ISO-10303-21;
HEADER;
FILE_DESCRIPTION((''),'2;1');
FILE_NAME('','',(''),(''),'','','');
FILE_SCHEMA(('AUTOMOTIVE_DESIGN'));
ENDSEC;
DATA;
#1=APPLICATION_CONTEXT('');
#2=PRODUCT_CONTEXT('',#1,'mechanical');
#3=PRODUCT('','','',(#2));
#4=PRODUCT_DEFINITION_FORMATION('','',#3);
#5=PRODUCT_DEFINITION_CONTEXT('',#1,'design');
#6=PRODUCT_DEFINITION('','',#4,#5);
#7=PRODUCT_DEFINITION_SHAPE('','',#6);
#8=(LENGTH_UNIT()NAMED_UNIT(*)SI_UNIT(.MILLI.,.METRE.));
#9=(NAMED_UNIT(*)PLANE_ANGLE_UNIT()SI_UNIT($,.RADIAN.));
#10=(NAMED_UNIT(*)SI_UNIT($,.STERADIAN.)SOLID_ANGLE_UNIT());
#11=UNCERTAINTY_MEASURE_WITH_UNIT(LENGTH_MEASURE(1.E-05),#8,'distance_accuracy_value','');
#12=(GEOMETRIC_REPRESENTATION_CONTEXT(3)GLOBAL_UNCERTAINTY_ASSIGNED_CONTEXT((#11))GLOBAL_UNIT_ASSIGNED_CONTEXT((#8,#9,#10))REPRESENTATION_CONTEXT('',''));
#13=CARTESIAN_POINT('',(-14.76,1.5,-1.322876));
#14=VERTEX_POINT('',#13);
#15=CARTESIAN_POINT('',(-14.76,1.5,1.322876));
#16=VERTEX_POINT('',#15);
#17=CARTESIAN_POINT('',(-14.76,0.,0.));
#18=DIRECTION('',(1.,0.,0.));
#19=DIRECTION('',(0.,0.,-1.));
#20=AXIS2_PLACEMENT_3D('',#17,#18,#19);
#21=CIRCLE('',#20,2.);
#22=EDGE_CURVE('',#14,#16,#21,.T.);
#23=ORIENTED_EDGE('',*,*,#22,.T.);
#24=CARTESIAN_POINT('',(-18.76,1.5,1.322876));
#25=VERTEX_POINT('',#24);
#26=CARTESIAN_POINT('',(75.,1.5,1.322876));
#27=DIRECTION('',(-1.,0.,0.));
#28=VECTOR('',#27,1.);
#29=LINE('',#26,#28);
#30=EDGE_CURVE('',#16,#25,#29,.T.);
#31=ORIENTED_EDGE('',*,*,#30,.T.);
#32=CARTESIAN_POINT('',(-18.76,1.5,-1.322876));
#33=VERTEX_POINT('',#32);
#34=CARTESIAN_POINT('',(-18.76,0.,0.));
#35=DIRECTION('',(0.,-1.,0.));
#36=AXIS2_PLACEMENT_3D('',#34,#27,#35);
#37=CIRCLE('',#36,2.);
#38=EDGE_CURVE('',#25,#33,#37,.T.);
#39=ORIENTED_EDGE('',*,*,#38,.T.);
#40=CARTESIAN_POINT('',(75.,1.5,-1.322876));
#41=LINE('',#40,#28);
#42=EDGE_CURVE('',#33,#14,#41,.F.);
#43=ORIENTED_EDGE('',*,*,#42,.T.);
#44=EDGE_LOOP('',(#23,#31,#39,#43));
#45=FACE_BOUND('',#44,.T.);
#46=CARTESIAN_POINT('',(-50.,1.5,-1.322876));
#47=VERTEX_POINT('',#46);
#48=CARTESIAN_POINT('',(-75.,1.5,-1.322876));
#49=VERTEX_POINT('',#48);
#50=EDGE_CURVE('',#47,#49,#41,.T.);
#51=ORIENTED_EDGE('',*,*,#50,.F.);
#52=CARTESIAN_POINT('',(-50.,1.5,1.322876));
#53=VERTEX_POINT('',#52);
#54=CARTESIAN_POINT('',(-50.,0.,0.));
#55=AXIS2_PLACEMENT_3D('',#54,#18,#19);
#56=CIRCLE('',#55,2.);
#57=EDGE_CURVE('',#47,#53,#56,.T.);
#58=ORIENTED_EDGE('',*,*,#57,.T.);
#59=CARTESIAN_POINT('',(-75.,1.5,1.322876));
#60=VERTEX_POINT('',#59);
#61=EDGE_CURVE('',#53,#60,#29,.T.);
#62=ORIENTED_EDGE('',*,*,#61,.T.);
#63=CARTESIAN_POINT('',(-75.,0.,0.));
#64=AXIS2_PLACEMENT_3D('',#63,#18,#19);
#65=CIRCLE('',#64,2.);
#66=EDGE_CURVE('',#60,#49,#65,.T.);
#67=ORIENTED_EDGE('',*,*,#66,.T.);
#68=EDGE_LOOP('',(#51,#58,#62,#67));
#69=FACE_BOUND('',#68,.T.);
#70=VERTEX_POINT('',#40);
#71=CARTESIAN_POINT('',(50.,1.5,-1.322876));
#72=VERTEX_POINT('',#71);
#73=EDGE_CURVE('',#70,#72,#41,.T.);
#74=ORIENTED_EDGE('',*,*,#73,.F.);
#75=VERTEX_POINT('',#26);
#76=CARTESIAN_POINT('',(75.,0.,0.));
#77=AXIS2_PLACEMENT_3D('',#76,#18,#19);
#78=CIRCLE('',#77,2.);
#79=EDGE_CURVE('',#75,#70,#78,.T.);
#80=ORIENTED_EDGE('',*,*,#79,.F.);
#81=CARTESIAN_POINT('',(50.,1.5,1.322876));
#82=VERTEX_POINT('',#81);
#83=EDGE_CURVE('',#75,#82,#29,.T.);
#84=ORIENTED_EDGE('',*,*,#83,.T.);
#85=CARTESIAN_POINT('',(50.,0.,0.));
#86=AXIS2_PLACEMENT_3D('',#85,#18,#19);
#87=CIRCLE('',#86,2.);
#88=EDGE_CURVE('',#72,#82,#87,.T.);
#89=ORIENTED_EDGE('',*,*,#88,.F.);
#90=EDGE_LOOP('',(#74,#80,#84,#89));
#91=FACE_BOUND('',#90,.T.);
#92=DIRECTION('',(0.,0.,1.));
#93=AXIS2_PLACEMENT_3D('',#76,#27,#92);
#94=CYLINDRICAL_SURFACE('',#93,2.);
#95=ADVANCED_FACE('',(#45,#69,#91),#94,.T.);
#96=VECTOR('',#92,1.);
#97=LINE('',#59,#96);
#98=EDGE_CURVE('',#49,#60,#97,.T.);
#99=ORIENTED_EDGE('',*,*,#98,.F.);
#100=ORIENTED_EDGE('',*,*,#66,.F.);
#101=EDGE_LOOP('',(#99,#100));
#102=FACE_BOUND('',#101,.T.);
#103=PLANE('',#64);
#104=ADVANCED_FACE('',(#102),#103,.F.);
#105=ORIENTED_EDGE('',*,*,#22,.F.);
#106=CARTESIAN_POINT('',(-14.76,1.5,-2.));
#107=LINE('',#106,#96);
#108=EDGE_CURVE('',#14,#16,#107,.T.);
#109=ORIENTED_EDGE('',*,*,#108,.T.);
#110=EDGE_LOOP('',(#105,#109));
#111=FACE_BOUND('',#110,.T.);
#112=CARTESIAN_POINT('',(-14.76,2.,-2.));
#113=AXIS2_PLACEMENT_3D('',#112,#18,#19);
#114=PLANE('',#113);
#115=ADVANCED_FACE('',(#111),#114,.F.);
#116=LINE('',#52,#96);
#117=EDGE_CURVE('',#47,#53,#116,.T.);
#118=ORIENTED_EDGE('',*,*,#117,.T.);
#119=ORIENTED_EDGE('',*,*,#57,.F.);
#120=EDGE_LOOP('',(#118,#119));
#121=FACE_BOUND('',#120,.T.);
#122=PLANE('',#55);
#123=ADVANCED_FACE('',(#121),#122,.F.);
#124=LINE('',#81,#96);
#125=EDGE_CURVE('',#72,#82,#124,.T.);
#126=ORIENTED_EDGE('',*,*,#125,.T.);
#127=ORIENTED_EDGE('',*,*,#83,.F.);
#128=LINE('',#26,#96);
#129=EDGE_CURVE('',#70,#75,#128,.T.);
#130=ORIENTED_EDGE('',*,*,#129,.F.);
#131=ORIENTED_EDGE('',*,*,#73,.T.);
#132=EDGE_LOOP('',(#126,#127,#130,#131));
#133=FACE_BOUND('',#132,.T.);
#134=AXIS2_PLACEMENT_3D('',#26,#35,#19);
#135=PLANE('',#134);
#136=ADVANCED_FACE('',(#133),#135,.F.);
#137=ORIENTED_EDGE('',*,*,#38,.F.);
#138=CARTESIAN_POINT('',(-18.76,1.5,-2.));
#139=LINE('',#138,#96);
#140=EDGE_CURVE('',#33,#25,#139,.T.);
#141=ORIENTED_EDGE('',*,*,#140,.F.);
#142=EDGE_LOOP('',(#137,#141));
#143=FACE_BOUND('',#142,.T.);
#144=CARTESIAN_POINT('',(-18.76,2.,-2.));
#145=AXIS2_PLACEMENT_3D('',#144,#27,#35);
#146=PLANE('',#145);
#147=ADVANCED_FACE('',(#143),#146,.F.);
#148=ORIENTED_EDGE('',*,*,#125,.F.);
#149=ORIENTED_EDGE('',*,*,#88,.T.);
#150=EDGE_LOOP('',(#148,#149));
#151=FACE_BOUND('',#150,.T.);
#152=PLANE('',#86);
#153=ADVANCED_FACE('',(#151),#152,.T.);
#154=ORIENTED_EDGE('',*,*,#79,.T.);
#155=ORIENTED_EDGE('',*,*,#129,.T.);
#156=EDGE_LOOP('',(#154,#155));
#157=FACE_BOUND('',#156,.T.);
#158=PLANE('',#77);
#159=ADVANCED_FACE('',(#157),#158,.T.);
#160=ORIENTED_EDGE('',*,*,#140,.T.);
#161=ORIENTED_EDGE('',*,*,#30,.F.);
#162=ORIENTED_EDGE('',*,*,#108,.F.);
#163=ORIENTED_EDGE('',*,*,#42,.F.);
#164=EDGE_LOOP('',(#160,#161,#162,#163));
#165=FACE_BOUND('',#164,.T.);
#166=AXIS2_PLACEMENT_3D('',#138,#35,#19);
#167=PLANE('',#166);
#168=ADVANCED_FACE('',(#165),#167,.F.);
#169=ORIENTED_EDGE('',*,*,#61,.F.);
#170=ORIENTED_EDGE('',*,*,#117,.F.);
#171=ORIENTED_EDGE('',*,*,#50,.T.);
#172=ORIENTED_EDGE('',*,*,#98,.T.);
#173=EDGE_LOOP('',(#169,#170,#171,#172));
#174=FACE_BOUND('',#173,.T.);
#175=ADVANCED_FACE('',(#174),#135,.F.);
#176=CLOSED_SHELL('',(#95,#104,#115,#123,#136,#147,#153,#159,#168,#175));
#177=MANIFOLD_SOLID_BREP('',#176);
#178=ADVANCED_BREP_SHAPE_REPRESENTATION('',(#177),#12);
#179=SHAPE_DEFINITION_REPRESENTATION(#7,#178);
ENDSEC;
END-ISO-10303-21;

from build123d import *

# Parameters (mm, degrees)
BOSS_EXTRUDE1_DEPTH     = 75
SKETCH2_R               = 2
BOSS_EXTRUDE2_DEPTH     = 50
SKETCH3_W               = 4
SKETCH3_H               = 0.5
CUT_EXTRUDE1_DEPTH      = 3
CUT_EXTRUDE1_DEPTH_BACK = 3


with BuildPart() as part:
    # Sketch1 → Boss-Extrude1 (new body, symmetric)
    with BuildSketch(Plane(origin=(0, 0, 0), x_dir=(0, 0, -1), z_dir=(1, 0, 0))):
        with BuildLine():
            Line((-1.322875656, 1.5), (1.322875656, 1.5))
            ThreePointArc((1.322875656, 1.5), (0, -2), (-1.322875656, 1.5))
        make_face()
    extrude(amount=BOSS_EXTRUDE1_DEPTH, both=True)

    # Sketch2 → Boss-Extrude2 (add, symmetric)
    with BuildSketch(Plane(origin=(0, 0, 0), x_dir=(0, 0, -1), z_dir=(1, 0, 0))):
        Circle(SKETCH2_R)
    extrude(amount=BOSS_EXTRUDE2_DEPTH, both=True)

    # Sketch3 → Cut-Extrude1 (cut, two sides)
    with BuildSketch(Plane.XY) as cut_extrude1_sk:
        with Locations((-16.76, 1.75)):
            Rectangle(SKETCH3_W, SKETCH3_H)
    extrude(amount=CUT_EXTRUDE1_DEPTH, mode=Mode.SUBTRACT)
    extrude(cut_extrude1_sk.sketch, amount=-CUT_EXTRUDE1_DEPTH_BACK, mode=Mode.SUBTRACT)


solid = part.part
